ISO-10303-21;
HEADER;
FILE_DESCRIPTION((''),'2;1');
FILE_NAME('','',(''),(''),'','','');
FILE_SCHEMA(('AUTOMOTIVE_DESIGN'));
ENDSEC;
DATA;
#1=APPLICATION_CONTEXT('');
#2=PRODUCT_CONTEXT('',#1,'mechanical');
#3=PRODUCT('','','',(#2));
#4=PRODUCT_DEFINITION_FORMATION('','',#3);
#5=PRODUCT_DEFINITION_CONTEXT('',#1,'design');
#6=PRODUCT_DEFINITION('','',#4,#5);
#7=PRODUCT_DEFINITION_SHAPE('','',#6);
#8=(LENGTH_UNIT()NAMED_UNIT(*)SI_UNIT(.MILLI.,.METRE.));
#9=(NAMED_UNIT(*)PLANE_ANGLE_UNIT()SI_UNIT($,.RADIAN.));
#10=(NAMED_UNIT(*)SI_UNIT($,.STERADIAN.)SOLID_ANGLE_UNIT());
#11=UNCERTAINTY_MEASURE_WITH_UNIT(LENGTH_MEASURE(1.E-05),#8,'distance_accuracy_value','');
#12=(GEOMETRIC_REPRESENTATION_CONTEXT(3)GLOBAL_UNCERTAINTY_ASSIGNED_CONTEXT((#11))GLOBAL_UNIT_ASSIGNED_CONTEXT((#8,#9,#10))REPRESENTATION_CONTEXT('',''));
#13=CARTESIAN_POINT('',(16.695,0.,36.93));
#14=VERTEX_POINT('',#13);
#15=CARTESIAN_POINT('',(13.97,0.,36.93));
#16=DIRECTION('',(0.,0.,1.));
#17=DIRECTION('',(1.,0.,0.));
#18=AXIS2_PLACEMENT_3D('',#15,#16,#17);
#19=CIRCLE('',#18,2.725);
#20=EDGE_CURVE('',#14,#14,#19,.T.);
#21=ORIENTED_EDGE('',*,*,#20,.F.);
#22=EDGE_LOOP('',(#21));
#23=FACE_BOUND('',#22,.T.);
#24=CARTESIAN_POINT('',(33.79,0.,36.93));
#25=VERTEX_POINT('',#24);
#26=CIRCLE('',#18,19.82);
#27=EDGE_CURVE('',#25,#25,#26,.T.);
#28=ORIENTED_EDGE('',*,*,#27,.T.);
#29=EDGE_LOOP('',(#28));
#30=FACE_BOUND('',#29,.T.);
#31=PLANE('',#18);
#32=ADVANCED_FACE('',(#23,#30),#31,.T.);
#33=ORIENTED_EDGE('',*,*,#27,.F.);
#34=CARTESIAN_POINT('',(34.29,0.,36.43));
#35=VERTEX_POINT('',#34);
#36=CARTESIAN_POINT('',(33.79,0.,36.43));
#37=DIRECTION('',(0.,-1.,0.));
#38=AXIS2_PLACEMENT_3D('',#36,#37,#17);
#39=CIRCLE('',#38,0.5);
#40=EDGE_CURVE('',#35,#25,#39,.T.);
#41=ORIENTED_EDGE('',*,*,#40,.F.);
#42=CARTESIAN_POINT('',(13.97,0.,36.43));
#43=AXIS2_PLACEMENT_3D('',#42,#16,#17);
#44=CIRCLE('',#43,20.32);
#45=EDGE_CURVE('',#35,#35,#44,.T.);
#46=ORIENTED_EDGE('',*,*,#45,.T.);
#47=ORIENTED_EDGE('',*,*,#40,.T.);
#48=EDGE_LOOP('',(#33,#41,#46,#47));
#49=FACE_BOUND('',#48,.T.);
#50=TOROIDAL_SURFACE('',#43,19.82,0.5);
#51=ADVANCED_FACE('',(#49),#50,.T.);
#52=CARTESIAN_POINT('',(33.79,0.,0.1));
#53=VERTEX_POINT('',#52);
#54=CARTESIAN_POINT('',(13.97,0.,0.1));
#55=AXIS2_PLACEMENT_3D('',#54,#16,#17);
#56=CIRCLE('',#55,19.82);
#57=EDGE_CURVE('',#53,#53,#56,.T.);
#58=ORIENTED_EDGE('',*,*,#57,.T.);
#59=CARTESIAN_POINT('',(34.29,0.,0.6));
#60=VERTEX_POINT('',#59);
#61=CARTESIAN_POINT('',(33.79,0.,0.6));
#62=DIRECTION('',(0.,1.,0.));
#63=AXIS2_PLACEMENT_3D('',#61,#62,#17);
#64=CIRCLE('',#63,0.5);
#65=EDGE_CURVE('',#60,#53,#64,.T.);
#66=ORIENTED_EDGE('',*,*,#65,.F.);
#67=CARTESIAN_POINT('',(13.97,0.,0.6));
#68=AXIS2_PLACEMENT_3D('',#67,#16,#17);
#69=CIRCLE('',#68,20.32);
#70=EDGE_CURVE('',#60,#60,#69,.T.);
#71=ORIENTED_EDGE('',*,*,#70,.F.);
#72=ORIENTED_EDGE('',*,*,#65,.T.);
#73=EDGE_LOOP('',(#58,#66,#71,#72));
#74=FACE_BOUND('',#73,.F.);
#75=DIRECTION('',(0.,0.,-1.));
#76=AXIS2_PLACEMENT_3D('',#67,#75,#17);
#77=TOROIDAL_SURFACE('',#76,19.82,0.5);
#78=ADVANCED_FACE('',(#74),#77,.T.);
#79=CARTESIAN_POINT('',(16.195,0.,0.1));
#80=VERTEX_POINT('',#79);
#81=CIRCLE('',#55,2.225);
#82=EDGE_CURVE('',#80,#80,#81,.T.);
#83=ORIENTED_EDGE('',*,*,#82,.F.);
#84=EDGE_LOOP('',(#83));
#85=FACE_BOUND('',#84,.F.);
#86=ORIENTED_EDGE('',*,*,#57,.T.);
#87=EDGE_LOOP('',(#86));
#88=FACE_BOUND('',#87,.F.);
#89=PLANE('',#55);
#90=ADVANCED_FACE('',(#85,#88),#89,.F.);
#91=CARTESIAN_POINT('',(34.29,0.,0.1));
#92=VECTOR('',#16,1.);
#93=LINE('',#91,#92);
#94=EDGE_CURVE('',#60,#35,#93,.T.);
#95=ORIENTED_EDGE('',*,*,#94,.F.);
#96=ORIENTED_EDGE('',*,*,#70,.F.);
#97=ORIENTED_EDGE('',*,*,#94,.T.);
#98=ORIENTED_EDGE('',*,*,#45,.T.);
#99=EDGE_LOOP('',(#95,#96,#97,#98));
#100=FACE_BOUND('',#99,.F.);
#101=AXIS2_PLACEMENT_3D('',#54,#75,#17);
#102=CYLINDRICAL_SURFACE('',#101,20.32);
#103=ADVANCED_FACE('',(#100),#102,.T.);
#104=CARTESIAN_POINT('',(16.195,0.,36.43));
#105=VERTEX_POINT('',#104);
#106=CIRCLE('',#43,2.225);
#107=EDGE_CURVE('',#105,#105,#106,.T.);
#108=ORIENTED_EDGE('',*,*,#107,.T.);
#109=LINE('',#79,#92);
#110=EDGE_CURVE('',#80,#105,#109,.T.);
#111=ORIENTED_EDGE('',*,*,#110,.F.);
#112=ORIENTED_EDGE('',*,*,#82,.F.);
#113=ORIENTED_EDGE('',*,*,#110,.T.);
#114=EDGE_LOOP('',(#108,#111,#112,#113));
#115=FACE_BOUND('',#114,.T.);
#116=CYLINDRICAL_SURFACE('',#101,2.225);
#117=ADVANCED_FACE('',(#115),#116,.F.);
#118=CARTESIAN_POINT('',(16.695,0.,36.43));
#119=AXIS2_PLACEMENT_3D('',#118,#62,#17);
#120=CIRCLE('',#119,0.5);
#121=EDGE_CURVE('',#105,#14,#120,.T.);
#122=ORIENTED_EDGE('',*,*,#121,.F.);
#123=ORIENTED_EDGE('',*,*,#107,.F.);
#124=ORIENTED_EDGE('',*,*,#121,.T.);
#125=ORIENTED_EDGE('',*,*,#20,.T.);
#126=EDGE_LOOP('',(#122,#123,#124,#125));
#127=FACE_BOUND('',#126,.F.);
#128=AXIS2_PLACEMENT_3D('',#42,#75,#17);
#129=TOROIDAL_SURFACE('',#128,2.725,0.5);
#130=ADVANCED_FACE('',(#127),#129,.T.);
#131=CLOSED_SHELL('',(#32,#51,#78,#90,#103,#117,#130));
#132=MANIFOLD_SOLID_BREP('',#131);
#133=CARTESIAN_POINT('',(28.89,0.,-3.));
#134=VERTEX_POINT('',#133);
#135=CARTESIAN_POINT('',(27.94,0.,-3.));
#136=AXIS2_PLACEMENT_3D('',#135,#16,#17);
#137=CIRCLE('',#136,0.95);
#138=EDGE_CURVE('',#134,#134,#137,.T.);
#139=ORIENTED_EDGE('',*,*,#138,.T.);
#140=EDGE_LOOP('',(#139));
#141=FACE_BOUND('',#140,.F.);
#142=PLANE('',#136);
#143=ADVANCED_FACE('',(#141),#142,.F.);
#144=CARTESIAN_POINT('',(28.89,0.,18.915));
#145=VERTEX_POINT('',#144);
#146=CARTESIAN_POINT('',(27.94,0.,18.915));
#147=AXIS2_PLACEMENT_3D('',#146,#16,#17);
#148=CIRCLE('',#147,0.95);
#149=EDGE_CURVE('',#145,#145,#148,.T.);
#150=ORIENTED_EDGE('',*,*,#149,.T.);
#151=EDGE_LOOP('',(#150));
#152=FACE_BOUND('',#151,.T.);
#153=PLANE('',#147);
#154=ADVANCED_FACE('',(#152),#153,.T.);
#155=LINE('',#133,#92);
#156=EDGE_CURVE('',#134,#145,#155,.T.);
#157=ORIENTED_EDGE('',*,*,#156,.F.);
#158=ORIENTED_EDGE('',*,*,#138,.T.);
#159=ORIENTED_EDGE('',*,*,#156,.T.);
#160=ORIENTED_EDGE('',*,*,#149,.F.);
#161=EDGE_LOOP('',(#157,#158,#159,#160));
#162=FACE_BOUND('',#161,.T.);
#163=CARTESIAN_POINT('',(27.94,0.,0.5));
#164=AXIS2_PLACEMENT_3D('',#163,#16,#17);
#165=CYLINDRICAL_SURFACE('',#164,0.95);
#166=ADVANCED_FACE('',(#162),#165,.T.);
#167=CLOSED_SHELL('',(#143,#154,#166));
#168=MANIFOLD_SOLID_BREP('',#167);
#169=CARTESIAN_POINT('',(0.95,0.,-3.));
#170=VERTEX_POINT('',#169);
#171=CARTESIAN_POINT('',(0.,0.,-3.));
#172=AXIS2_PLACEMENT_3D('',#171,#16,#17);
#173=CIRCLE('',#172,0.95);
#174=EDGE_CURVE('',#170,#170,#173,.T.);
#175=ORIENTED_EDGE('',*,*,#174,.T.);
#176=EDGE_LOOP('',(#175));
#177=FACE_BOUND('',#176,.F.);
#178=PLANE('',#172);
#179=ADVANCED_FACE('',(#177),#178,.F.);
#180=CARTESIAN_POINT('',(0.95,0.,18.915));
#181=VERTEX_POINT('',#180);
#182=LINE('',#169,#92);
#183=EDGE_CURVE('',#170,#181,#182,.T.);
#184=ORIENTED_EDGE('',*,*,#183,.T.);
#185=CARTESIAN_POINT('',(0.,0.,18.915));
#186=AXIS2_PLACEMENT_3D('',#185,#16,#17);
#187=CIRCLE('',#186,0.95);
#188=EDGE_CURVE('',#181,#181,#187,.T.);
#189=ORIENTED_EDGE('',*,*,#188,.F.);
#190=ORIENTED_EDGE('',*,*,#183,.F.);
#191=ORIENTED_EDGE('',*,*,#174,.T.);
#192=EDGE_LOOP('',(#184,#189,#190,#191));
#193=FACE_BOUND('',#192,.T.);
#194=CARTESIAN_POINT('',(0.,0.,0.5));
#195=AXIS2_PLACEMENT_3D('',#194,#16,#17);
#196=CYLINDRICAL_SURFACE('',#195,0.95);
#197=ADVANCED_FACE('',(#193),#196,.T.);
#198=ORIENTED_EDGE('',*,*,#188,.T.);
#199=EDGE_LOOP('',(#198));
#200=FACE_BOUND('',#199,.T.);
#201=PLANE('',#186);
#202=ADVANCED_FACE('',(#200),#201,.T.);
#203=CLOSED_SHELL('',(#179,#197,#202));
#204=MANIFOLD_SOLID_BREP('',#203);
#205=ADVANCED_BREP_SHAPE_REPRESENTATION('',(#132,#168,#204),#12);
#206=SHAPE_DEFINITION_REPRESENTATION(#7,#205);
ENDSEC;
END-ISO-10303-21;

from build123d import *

# Parameters (mm, degrees)
SKETCH001_R       = 0.95
PAD001_DEPTH      = 18.415
PAD001_DEPTH_BACK = 3.5
SKETCH_R          = 20.32
SKETCH_R_2        = 2.225
PAD_DEPTH         = 36.83
FILLET_R          = 0.5


with BuildPart() as pad001:
    # Sketch001 → Pad001 (new body, two sides)
    with BuildSketch(Plane.XY.offset(0.5)) as pad001_sk:
        Circle(SKETCH001_R)
        with Locations((27.94, 0)):
            Circle(SKETCH001_R)
    extrude(amount=PAD001_DEPTH)
    extrude(pad001_sk.sketch, amount=-PAD001_DEPTH_BACK)


with BuildPart() as fillet_body:
    # Sketch → Pad (new body)
    with BuildSketch(Plane.XY.offset(0.1)):
        with Locations((13.97, 0)):
            Circle(SKETCH_R)
        with Locations((13.97, 0)):
            Circle(SKETCH_R_2, mode=Mode.SUBTRACT)
    extrude(amount=PAD_DEPTH)

    # Fillet
    fillet_edges = [fillet_body.edges().sort_by_distance(p)[0] for p in [
        (11.745, 0, 36.93),
        (-6.35, 0, 36.93),
        (-6.35, 0, 0.1),
    ]]
    fillet(fillet_edges, radius=FILLET_R)


solid = Compound([pad001.part, fillet_body.part])
